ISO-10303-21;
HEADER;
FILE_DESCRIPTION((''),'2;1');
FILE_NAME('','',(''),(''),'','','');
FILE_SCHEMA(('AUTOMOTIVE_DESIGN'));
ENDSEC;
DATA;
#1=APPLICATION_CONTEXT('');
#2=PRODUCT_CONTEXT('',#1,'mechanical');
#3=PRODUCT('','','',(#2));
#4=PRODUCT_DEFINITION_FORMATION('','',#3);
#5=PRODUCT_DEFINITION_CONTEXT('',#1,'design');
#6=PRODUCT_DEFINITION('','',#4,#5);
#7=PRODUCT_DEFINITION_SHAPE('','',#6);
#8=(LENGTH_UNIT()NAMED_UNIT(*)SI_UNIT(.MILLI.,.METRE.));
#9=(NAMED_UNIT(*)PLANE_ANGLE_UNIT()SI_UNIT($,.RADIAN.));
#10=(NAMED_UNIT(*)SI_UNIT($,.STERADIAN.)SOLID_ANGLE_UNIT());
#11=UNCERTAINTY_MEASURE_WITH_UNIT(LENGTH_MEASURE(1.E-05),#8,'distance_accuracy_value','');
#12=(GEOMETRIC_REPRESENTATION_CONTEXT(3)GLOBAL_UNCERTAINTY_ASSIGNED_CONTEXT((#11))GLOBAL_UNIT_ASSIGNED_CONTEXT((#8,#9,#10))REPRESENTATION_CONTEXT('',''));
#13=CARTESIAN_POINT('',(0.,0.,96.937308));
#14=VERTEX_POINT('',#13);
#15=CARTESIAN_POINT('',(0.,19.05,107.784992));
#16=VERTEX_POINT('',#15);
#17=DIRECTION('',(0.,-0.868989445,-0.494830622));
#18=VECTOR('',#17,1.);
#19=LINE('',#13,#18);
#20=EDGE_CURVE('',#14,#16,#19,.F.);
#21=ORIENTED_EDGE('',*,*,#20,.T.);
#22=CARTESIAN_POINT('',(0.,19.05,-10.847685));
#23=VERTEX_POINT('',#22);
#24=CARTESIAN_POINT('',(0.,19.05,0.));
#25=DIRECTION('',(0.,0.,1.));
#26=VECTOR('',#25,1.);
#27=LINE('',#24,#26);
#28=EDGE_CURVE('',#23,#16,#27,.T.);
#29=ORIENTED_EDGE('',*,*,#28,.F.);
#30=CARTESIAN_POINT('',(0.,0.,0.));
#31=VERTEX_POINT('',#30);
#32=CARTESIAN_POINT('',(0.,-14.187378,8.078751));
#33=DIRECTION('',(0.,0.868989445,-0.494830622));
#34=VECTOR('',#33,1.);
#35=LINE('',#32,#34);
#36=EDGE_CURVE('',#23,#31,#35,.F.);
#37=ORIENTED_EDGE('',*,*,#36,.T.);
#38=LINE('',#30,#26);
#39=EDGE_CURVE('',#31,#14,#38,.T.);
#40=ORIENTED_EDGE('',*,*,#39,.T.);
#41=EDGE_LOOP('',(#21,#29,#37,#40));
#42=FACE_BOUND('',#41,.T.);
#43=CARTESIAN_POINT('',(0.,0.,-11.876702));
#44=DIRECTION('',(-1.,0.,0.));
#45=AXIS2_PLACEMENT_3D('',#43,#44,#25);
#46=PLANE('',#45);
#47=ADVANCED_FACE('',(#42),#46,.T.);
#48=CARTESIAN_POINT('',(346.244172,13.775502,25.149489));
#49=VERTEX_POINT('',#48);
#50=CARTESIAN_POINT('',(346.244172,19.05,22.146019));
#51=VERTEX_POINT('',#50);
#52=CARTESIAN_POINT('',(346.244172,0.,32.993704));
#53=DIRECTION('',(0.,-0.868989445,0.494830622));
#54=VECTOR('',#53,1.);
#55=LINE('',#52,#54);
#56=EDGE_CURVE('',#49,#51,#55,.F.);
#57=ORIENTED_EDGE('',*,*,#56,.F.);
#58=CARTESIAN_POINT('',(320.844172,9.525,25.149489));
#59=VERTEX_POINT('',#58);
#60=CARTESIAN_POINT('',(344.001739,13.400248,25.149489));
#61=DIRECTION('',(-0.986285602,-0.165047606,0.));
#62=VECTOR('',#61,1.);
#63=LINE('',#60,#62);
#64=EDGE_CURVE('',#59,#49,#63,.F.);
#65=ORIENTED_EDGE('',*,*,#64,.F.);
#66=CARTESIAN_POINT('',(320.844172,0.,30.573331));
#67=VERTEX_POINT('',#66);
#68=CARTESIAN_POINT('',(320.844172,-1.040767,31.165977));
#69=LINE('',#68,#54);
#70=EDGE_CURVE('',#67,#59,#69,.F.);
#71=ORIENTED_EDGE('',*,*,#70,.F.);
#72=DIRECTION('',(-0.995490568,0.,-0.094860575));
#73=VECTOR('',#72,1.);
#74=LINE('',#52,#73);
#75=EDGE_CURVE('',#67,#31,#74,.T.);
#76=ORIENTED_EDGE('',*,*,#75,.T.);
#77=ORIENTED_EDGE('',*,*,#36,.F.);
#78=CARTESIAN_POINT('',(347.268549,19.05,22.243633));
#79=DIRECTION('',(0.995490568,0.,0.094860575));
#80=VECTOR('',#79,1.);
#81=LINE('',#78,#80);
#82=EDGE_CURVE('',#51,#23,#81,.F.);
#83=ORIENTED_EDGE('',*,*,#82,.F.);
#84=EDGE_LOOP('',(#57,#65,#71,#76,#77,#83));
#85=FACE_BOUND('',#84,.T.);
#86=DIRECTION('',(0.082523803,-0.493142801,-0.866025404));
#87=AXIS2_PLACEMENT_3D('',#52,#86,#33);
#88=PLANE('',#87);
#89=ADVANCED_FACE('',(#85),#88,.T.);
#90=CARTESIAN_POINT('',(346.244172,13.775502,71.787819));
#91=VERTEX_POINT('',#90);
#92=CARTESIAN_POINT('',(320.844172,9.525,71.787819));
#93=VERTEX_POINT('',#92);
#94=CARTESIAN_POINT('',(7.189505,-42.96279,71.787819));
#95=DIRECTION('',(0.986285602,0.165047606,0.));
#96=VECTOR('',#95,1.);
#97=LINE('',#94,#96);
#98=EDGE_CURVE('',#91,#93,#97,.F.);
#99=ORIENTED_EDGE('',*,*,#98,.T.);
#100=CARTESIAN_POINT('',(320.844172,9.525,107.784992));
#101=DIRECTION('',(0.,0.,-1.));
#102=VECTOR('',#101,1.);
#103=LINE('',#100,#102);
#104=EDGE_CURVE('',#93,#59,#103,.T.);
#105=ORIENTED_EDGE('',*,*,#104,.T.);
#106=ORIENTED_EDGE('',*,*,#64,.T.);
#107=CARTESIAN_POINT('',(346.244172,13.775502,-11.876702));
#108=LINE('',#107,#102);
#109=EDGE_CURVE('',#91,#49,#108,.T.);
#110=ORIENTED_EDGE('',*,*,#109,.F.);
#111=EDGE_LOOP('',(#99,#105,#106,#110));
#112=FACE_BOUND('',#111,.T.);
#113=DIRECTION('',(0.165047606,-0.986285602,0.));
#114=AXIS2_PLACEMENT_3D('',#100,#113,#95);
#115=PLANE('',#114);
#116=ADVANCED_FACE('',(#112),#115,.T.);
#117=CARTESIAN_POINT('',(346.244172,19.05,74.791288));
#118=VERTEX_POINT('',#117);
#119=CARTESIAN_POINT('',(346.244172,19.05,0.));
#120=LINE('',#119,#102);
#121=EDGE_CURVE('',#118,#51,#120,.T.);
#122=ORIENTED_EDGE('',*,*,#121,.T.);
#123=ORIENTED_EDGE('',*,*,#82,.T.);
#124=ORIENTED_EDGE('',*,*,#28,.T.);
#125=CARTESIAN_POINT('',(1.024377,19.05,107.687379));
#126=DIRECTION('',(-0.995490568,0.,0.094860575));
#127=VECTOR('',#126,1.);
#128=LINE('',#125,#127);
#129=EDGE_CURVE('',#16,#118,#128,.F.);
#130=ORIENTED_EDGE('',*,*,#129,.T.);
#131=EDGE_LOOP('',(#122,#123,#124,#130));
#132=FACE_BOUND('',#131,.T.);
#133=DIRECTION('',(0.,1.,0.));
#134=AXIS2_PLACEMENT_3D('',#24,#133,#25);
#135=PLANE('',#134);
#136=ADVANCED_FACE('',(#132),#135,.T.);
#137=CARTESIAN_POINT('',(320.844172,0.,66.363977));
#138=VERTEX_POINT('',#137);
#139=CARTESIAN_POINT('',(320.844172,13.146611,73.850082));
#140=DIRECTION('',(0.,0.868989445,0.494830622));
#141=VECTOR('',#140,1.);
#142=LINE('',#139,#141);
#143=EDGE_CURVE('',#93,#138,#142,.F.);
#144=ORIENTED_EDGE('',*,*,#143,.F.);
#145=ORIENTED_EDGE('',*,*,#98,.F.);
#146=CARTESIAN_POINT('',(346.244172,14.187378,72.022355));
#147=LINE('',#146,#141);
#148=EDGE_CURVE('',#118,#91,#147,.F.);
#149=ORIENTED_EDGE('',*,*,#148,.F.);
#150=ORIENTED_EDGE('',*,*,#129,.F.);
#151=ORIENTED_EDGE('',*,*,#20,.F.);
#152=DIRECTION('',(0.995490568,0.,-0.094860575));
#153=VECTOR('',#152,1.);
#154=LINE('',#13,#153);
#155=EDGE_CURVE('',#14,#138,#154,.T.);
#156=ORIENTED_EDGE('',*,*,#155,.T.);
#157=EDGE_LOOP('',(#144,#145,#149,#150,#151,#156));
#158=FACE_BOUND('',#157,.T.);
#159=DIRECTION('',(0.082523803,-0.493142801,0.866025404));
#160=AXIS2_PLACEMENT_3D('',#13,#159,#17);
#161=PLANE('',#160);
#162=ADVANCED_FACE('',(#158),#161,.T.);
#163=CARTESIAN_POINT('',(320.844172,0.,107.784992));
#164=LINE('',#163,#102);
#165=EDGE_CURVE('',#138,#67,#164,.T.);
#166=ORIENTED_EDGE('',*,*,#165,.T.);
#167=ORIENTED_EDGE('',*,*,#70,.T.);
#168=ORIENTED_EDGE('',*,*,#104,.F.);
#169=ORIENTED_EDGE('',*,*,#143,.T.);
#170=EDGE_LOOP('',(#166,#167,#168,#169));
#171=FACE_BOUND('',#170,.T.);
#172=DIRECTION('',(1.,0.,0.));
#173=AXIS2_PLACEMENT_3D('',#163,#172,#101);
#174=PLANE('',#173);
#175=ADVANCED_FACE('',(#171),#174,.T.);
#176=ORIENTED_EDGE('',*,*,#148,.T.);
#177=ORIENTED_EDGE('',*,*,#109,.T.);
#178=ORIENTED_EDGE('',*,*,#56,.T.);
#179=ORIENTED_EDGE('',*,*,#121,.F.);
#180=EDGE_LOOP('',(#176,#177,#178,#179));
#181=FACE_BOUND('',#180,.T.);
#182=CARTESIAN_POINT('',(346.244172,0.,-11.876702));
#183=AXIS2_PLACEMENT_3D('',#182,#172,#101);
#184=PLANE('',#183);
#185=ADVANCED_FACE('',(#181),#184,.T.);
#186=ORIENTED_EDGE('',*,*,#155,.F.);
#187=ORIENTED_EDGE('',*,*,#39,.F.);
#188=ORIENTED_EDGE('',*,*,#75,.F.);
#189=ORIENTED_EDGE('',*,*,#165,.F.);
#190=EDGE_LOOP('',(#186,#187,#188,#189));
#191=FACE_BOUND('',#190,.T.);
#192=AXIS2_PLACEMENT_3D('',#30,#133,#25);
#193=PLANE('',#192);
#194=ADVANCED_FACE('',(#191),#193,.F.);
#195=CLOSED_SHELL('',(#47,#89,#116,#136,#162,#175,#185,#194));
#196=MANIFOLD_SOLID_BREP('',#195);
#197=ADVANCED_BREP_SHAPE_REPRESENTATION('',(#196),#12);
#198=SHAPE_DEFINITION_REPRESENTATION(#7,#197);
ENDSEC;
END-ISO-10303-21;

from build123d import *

# Parameters (mm, degrees)
BOSS_EXTRUDE1_DEPTH     = 19.05
BOSS_EXTRUDE1_DRAFT     = -29.54735891
CUT_EXTRUDE1_DEPTH      = 374.741958864
CUT_EXTRUDE1_DEPTH_BACK = 374.741958864
SKETCH2_OUTSIDE_W       = 447.362
SKETCH2_OUTSIDE_H       = 98.57
SKETCH2_OUTSIDE_W_2     = 346.244171738
SKETCH2_OUTSIDE_H_2     = 100.341978652
CUT_EXTRUDE2_DEPTH      = 364.132941986


with BuildPart() as part:
    # Sketch1 → Boss-Extrude1 (with draft: the straight prism first)
    with BuildSketch(Plane(origin=(0, 0, 0), x_dir=(1, 0, 0), z_dir=(0, 1, 0))):
        Polygon((0, 0), (0, -96.93730792), (346.244171738, -63.94360396), (346.244171738, -32.99370396), align=None)
    extrude(amount=BOSS_EXTRUDE1_DEPTH)
    # Boss-Extrude1: the draft: its side faces are tilted about the plane it starts from
    boss_extrude1_sides = [part.faces().sort_by_distance(p)[0] for p in [
        (0, 9.525, 48.46865396),
        (173.122085869, 9.525, 80.44045594),
        (346.244171738, 9.525, 48.46865396),
        (173.122085869, 9.525, 16.49685198),
    ]]
    draft(boss_extrude1_sides, Plane(origin=(0, 0, 0), x_dir=(1, 0, 0), z_dir=(0, 1, 0)), BOSS_EXTRUDE1_DRAFT)

    # Sketch2 outside → Cut-Extrude1 (cut, two sides: drawn at the far end of the back side and taken through both)
    with BuildSketch(Plane.XY.offset(-CUT_EXTRUDE1_DEPTH_BACK)):
        with Locations((173.122, 9.525)):
            Rectangle(SKETCH2_OUTSIDE_W, SKETCH2_OUTSIDE_H)
        with Locations((173.122085869, 50.170989326)):
            Rectangle(SKETCH2_OUTSIDE_W_2, SKETCH2_OUTSIDE_H_2, mode=Mode.SUBTRACT)
    extrude(amount=CUT_EXTRUDE1_DEPTH + CUT_EXTRUDE1_DEPTH_BACK, mode=Mode.SUBTRACT)

    # Sketch3 → Cut-Extrude2 (cut, through all)
    with BuildSketch(Plane.XY):
        Polygon((320.844171738, 0), (320.844171738, 9.525), (346.244171738, 13.775502271), (346.244171738, 0), align=None)
    extrude(amount=CUT_EXTRUDE2_DEPTH, mode=Mode.SUBTRACT)


solid = part.part
